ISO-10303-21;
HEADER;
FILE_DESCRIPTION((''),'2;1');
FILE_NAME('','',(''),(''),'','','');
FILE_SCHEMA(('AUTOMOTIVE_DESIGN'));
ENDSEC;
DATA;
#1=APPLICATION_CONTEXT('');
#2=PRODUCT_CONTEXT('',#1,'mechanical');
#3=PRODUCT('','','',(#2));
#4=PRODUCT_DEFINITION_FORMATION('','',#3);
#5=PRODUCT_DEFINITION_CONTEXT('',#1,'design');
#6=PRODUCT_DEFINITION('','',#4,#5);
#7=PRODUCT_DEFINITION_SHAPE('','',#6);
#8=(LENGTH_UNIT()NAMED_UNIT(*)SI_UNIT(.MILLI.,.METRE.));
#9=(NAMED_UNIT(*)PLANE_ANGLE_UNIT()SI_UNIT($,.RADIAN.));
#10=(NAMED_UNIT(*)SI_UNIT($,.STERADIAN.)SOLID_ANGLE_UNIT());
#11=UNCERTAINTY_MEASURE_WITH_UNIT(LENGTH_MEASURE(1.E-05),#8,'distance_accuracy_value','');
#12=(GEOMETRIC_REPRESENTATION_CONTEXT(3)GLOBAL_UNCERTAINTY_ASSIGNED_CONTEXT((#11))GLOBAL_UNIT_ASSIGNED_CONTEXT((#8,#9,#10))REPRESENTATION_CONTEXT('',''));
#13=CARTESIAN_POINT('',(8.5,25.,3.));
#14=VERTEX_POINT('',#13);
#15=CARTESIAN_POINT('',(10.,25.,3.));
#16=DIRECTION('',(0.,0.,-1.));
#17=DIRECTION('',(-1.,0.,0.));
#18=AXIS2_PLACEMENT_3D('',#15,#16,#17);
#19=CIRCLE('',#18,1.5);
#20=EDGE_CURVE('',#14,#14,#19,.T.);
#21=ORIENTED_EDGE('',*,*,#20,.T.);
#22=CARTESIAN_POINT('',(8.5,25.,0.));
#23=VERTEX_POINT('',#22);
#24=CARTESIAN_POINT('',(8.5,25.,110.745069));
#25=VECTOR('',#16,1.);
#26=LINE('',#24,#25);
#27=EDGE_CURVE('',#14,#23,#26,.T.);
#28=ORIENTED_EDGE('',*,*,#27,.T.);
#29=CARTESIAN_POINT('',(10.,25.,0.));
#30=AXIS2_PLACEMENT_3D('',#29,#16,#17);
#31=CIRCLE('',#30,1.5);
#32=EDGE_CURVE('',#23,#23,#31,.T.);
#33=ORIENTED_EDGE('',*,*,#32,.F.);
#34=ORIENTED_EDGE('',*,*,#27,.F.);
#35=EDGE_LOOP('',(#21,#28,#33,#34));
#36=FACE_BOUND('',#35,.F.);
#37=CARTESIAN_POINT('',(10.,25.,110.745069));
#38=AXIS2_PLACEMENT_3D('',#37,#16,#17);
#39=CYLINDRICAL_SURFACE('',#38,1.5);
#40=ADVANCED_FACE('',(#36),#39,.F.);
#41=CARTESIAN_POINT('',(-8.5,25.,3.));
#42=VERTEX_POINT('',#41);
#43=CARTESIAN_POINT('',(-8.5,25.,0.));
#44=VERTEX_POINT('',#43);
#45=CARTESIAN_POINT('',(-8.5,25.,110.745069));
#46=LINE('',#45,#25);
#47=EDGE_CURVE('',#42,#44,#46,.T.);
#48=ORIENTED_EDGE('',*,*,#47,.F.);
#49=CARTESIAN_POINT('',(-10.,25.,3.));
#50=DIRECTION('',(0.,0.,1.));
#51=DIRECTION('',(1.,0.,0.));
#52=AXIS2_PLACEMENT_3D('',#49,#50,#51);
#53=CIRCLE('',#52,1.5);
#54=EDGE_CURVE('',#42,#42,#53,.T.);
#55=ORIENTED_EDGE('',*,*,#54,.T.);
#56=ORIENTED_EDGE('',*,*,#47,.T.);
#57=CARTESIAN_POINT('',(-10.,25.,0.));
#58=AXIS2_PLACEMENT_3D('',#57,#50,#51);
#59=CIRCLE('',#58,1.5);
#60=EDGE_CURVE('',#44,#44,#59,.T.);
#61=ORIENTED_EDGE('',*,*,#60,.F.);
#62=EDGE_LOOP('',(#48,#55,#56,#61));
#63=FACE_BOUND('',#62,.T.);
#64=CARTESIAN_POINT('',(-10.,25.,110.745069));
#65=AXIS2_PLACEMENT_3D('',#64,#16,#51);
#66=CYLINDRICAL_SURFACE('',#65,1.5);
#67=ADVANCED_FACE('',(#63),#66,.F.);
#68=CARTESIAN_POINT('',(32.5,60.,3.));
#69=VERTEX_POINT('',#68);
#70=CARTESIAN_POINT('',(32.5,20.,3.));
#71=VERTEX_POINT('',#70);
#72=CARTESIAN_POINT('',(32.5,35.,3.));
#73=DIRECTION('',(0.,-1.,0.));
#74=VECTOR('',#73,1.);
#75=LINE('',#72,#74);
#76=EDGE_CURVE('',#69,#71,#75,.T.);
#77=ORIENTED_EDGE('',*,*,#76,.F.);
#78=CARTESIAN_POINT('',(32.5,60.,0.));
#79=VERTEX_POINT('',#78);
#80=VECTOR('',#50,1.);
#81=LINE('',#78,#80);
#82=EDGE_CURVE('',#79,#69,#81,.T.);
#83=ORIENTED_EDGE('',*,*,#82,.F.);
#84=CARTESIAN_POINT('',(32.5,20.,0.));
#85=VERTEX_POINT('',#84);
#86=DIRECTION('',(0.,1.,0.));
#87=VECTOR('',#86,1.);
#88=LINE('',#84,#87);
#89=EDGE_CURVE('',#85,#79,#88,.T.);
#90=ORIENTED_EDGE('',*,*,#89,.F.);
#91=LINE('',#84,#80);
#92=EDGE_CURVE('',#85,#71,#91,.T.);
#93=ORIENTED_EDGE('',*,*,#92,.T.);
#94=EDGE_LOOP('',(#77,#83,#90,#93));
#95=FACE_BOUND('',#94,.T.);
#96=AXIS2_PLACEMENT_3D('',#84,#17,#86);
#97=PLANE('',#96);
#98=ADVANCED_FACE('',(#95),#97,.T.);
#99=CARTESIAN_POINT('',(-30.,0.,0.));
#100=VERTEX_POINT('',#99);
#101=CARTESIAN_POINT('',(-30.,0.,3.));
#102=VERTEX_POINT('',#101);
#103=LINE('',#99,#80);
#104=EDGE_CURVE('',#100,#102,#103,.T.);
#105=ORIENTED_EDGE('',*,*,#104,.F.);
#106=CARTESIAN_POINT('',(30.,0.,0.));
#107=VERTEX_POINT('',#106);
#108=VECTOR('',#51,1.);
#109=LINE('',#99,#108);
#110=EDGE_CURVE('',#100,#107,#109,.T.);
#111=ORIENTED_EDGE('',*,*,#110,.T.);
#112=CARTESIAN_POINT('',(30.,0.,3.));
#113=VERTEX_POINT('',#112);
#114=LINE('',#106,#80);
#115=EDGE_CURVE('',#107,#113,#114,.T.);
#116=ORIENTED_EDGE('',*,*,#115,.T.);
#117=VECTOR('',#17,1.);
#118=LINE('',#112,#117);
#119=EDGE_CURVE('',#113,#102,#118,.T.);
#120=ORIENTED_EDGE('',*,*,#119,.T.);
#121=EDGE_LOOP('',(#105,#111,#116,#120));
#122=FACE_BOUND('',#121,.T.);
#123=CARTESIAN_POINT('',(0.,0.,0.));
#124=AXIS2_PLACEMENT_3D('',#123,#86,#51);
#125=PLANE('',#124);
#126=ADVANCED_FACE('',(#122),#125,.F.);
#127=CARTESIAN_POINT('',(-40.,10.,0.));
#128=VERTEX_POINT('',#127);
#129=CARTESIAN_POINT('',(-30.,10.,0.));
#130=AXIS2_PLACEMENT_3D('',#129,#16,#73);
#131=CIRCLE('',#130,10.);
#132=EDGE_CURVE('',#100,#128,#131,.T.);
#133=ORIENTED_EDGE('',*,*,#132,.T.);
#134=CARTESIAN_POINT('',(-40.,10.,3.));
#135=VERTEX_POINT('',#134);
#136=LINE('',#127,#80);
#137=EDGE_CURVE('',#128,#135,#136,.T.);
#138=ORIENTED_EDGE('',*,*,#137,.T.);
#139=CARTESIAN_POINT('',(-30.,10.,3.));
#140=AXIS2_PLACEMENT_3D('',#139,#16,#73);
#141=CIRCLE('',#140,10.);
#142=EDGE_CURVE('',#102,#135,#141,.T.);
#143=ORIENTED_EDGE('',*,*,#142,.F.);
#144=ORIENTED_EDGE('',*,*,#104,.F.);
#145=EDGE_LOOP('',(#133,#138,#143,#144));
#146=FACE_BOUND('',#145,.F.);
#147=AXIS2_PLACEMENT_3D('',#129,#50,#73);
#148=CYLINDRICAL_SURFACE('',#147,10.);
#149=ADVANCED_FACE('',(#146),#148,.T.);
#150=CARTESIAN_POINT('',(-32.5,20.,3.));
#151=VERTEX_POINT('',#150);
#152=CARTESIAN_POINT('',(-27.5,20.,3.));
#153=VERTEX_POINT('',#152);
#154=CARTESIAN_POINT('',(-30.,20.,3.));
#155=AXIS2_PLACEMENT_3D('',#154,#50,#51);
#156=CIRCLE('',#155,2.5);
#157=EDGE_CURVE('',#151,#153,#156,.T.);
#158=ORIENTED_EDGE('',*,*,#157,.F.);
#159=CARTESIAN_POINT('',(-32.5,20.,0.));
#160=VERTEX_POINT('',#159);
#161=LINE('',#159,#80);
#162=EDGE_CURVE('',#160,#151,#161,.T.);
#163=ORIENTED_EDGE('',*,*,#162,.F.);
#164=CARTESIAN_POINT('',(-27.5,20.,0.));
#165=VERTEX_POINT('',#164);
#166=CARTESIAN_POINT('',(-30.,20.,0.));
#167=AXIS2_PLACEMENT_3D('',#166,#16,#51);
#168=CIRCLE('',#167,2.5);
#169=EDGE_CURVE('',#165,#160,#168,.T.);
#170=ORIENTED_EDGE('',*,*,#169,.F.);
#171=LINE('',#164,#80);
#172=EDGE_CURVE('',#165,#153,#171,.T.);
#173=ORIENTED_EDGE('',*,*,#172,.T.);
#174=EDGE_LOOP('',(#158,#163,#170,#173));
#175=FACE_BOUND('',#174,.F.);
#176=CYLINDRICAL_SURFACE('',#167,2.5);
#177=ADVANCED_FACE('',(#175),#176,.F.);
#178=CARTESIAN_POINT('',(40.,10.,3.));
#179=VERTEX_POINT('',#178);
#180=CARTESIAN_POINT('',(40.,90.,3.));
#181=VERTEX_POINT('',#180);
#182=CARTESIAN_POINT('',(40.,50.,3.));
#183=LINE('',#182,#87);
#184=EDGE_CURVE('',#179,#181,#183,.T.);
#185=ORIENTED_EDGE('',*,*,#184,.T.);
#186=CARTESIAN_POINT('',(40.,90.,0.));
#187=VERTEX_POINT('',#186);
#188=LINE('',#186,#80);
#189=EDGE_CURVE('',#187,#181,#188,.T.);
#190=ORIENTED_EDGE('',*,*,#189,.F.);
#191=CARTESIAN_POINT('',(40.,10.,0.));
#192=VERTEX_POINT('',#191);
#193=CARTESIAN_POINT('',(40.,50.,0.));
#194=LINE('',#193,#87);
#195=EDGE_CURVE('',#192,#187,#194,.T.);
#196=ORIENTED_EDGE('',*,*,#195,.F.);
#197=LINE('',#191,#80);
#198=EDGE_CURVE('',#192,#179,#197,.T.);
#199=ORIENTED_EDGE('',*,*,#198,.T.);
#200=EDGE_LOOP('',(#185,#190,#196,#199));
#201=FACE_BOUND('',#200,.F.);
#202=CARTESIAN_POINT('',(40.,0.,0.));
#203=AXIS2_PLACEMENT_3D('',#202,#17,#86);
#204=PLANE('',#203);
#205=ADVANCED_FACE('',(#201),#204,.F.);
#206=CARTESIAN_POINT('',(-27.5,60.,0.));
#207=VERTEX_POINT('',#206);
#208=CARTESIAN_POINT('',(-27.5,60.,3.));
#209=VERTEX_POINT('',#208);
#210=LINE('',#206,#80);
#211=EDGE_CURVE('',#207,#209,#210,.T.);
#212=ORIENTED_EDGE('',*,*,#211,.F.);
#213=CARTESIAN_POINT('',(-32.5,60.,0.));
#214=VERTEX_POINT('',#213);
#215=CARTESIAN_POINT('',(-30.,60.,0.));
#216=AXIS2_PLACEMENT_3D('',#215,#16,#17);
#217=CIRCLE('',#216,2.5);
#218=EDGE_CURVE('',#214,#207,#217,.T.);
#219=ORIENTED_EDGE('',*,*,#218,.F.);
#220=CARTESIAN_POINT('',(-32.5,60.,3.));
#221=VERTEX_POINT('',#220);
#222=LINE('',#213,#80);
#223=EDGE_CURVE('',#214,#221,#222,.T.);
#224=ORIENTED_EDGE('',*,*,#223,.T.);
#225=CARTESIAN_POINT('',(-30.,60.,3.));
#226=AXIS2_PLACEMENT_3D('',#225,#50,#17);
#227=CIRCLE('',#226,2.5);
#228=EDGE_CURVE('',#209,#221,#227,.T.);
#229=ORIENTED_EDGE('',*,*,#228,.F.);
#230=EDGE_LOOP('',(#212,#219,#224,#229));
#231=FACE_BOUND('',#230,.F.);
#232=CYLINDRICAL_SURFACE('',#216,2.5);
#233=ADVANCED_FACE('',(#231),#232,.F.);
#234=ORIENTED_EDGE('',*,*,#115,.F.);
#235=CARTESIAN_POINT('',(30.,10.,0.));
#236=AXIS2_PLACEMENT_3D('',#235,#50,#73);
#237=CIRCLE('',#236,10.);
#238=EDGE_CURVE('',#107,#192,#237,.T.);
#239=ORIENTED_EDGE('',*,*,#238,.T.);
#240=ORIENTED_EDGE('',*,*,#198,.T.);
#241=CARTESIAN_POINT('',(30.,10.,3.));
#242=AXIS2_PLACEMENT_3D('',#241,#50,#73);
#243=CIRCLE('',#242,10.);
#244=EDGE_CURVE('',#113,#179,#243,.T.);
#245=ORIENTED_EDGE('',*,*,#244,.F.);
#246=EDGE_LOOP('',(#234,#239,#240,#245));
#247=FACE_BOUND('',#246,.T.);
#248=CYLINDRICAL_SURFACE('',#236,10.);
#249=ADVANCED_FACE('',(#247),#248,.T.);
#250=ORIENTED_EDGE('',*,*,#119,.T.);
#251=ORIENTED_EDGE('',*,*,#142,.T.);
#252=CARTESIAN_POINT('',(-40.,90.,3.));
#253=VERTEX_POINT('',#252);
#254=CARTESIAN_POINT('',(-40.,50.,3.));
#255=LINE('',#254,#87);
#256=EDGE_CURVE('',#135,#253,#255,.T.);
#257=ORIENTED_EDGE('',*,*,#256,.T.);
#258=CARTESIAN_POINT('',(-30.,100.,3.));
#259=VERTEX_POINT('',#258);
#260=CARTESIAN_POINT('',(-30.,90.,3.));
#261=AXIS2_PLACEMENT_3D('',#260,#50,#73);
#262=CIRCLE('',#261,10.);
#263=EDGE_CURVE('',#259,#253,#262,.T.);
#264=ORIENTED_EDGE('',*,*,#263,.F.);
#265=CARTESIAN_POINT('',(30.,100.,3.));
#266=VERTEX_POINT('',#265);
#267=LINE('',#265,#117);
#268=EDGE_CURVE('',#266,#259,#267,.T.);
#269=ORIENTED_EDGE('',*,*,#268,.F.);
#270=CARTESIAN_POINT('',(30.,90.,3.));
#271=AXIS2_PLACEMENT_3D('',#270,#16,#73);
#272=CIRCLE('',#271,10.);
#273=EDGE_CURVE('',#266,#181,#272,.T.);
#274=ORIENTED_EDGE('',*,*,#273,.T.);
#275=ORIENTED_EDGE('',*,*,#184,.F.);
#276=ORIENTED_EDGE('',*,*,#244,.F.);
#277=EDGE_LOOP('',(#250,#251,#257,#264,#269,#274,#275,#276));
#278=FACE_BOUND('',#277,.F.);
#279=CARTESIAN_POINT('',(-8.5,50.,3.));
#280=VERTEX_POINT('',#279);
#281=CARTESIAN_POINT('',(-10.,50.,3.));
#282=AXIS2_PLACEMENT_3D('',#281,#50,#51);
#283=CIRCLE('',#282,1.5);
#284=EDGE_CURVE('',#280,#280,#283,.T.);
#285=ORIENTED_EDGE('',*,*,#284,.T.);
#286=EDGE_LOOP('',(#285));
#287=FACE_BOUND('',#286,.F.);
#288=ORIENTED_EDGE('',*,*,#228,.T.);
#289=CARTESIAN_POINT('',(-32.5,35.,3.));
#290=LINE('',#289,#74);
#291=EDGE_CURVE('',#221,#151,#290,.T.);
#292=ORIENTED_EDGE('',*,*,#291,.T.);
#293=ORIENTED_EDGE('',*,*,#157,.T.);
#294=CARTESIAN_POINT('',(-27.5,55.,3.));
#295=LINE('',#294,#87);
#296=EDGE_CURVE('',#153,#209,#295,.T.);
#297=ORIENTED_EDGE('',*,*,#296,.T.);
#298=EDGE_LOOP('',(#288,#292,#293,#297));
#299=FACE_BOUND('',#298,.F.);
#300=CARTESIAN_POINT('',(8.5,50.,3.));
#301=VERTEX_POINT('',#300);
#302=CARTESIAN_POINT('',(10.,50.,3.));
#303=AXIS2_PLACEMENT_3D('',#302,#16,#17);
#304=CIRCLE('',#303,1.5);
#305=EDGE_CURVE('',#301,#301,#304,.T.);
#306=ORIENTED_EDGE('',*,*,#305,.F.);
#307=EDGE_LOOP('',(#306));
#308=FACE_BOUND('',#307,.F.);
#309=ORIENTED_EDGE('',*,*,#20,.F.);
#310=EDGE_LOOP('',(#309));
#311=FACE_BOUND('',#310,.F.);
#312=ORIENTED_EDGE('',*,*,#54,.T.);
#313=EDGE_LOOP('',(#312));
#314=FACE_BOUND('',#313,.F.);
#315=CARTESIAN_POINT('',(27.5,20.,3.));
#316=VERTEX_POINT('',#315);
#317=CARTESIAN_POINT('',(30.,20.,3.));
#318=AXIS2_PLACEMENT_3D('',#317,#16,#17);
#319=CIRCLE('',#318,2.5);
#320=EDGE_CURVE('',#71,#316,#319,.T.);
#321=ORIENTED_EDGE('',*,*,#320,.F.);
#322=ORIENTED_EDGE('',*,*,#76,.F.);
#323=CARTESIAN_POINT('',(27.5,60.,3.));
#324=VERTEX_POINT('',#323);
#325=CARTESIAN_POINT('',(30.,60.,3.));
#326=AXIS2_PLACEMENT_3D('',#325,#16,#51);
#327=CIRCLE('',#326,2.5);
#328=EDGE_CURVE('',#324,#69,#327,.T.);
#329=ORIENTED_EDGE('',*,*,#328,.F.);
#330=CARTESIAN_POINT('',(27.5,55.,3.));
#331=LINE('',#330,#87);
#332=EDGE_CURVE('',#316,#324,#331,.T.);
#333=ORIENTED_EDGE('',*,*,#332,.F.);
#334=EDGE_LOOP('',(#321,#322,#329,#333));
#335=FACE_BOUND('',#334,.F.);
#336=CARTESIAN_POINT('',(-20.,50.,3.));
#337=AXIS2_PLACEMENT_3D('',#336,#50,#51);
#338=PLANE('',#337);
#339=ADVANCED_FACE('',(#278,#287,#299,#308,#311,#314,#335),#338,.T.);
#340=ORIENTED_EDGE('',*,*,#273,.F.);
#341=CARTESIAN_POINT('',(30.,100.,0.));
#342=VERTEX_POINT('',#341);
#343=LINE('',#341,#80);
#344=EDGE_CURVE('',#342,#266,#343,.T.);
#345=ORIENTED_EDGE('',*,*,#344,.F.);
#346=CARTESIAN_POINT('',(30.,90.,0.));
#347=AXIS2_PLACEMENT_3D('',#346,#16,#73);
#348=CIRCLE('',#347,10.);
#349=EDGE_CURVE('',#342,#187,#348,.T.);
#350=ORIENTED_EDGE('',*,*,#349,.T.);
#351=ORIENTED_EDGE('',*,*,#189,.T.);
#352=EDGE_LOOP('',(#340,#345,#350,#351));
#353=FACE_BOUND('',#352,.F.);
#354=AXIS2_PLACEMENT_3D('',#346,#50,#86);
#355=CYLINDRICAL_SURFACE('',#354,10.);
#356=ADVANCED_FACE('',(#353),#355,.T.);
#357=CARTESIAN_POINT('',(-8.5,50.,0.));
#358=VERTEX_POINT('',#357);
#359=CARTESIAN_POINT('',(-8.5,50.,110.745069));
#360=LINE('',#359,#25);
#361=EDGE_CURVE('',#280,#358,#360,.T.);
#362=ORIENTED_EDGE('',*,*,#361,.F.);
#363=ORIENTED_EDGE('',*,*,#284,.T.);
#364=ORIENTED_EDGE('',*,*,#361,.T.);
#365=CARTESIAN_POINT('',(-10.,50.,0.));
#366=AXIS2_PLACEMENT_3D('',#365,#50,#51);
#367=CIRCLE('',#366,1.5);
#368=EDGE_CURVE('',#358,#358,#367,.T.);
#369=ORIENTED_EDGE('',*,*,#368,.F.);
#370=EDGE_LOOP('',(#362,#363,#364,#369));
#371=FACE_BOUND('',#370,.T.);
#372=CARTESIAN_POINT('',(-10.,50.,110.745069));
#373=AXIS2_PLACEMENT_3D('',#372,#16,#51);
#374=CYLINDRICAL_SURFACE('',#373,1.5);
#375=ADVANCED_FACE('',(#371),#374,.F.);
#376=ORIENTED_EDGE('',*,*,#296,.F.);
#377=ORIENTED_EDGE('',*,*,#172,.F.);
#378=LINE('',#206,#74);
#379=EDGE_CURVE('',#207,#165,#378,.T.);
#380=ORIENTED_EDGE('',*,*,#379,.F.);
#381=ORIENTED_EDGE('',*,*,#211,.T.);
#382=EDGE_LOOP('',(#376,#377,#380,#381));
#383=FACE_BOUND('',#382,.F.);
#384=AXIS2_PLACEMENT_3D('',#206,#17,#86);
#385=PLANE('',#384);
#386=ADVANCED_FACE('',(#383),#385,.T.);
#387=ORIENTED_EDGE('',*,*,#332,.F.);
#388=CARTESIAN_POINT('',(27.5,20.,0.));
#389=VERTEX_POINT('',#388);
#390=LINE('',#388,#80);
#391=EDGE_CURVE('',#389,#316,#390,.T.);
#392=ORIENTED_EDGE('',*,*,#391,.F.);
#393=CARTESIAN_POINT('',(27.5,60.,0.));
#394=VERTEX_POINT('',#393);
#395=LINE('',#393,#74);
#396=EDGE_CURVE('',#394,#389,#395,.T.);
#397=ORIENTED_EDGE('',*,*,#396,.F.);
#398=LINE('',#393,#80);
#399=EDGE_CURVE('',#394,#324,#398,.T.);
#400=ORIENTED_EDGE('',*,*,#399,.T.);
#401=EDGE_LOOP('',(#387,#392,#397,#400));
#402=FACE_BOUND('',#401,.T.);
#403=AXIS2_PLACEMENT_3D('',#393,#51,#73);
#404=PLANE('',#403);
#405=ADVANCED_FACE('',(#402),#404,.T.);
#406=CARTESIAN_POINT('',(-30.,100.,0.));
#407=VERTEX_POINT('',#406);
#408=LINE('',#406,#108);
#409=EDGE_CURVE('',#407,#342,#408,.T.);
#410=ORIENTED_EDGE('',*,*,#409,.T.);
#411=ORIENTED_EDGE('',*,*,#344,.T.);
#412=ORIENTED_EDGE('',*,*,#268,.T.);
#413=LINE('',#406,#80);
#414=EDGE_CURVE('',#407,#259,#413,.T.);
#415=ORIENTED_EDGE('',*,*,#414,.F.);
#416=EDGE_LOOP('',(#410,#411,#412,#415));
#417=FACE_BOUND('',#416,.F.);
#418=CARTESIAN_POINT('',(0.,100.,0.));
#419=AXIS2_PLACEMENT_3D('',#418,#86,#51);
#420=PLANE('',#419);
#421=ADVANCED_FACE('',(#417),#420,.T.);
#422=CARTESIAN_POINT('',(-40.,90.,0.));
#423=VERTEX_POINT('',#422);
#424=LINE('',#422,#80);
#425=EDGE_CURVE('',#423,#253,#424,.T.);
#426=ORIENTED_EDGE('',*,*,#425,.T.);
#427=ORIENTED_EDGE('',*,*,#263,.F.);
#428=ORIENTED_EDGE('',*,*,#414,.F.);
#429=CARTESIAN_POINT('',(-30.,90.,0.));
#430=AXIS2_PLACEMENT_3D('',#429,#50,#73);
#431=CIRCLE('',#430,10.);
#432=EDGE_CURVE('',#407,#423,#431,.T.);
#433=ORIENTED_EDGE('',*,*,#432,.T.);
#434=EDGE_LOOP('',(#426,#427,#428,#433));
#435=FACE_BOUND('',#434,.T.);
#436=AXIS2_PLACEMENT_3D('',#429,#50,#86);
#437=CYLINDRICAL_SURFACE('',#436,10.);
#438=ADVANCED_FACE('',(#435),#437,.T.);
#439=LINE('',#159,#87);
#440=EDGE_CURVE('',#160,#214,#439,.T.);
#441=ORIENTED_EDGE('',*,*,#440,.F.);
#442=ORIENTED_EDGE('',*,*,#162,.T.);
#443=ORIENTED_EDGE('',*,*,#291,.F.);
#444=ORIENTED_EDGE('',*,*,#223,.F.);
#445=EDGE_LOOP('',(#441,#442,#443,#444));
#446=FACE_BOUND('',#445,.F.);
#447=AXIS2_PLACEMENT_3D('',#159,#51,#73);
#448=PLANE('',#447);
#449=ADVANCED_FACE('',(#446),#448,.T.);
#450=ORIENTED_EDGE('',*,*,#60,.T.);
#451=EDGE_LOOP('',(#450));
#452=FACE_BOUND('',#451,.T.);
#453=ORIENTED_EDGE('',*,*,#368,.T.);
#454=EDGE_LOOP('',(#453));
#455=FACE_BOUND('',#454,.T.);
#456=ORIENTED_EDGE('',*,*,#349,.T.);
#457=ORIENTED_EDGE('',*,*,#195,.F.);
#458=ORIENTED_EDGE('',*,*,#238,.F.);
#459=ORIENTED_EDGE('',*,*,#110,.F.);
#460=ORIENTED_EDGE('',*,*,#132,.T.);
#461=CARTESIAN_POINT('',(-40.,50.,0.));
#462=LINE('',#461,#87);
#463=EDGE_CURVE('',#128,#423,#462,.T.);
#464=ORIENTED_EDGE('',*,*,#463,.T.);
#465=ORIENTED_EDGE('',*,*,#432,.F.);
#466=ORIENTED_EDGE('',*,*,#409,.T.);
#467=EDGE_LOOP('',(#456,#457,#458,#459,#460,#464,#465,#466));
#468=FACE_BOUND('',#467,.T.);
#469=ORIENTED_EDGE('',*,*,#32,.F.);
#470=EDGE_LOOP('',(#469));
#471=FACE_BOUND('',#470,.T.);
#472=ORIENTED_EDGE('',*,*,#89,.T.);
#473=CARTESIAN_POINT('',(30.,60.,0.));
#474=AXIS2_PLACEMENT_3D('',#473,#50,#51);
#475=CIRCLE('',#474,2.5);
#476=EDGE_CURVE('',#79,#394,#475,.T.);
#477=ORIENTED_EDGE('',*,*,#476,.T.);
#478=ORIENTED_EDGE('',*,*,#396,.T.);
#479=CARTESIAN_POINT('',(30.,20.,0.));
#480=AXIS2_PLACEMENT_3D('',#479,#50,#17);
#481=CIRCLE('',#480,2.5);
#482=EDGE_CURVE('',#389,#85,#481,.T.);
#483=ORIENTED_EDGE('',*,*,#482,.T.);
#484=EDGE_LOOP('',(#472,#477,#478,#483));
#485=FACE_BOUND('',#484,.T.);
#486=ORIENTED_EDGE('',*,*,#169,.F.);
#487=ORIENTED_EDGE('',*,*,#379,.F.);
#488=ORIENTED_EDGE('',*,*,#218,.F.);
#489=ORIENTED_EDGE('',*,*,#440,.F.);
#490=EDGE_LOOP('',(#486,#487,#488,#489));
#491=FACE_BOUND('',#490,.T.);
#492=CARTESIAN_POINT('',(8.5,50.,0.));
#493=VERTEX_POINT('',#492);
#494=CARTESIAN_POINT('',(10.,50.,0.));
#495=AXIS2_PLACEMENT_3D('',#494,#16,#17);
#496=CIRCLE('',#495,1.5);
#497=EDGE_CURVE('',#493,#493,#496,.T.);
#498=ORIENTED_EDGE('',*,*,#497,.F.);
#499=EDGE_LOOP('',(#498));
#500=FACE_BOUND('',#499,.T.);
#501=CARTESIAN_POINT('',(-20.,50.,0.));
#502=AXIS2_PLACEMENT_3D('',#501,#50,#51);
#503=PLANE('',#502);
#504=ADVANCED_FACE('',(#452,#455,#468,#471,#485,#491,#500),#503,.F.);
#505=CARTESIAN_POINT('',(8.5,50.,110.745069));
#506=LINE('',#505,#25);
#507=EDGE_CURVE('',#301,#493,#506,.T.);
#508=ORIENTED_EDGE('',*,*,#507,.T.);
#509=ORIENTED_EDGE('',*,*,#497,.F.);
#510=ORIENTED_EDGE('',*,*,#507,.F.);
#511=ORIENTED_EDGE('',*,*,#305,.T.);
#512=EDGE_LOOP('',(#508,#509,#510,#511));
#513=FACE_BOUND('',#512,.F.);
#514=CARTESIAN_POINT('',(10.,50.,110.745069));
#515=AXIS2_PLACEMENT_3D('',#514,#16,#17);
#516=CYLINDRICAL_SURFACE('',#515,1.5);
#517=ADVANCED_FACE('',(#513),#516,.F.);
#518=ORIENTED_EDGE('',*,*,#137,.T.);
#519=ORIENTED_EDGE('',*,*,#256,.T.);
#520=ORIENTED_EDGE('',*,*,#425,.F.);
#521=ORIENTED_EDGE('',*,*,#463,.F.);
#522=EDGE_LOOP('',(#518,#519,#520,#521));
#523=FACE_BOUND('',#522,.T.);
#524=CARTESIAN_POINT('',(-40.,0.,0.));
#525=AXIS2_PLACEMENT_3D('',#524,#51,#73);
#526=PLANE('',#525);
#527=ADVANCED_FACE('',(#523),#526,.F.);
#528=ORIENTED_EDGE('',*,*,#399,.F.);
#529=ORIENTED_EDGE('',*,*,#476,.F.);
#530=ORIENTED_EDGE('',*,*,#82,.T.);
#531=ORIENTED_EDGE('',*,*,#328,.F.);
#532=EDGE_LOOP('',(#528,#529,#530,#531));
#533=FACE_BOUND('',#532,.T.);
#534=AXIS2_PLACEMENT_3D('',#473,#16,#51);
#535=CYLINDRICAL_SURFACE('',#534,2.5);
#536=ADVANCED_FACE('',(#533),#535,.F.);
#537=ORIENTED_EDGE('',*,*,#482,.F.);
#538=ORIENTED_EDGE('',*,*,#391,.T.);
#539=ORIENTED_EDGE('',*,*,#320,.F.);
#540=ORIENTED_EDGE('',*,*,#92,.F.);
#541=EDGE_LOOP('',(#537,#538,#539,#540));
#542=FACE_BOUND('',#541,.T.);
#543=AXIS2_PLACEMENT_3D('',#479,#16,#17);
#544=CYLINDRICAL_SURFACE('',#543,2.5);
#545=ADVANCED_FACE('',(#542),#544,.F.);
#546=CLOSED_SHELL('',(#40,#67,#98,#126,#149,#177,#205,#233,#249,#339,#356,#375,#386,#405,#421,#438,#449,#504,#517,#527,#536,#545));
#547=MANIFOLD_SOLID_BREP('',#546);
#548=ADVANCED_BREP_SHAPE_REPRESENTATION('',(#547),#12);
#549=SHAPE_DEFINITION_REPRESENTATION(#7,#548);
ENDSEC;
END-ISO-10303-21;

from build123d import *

# Parameters (mm, degrees)
F0_W     = 40
F0_H     = 100
F1_DEPTH = 3
F3_D     = 3
F5_DEPTH = 77.015169
F6_R     = 10


with BuildPart() as f1:
    # F0 (on Top) → F1 (new body)
    with BuildSketch(Plane.XY):
        with Locations((20, 50)):
            Rectangle(F0_W, F0_H)
    extrude(amount=F1_DEPTH)

    # F3 (through all)
    with Locations(Plane.XY.offset(3)):
        with Locations((10, 25), (10, 50)):
            Hole(F3_D / 2)

    # F4 (on face) → F5 (cut)
    with BuildSketch(Plane.XY):
        with BuildLine():
            ThreePointArc((32.5, 60), (30, 62.5), (27.5, 60))
            Line((27.5, 60), (27.5, 20))
            ThreePointArc((27.5, 20), (30, 17.5), (32.5, 20))
            Line((32.5, 20), (32.5, 60))
        make_face()
    extrude(amount=F5_DEPTH, mode=Mode.SUBTRACT)

    # F6
    f6_edges = [f1.edges().sort_by_distance(p)[0] for p in [
        (40, 0, 1.5),
        (40, 100, 1.5),
    ]]
    fillet(f6_edges, radius=F6_R)

    # F7: F1 across plane


with BuildPart() as f1_1:
    add(f1.part)
    add(f1.part.mirror(Plane.YZ))


solid = f1_1.part
